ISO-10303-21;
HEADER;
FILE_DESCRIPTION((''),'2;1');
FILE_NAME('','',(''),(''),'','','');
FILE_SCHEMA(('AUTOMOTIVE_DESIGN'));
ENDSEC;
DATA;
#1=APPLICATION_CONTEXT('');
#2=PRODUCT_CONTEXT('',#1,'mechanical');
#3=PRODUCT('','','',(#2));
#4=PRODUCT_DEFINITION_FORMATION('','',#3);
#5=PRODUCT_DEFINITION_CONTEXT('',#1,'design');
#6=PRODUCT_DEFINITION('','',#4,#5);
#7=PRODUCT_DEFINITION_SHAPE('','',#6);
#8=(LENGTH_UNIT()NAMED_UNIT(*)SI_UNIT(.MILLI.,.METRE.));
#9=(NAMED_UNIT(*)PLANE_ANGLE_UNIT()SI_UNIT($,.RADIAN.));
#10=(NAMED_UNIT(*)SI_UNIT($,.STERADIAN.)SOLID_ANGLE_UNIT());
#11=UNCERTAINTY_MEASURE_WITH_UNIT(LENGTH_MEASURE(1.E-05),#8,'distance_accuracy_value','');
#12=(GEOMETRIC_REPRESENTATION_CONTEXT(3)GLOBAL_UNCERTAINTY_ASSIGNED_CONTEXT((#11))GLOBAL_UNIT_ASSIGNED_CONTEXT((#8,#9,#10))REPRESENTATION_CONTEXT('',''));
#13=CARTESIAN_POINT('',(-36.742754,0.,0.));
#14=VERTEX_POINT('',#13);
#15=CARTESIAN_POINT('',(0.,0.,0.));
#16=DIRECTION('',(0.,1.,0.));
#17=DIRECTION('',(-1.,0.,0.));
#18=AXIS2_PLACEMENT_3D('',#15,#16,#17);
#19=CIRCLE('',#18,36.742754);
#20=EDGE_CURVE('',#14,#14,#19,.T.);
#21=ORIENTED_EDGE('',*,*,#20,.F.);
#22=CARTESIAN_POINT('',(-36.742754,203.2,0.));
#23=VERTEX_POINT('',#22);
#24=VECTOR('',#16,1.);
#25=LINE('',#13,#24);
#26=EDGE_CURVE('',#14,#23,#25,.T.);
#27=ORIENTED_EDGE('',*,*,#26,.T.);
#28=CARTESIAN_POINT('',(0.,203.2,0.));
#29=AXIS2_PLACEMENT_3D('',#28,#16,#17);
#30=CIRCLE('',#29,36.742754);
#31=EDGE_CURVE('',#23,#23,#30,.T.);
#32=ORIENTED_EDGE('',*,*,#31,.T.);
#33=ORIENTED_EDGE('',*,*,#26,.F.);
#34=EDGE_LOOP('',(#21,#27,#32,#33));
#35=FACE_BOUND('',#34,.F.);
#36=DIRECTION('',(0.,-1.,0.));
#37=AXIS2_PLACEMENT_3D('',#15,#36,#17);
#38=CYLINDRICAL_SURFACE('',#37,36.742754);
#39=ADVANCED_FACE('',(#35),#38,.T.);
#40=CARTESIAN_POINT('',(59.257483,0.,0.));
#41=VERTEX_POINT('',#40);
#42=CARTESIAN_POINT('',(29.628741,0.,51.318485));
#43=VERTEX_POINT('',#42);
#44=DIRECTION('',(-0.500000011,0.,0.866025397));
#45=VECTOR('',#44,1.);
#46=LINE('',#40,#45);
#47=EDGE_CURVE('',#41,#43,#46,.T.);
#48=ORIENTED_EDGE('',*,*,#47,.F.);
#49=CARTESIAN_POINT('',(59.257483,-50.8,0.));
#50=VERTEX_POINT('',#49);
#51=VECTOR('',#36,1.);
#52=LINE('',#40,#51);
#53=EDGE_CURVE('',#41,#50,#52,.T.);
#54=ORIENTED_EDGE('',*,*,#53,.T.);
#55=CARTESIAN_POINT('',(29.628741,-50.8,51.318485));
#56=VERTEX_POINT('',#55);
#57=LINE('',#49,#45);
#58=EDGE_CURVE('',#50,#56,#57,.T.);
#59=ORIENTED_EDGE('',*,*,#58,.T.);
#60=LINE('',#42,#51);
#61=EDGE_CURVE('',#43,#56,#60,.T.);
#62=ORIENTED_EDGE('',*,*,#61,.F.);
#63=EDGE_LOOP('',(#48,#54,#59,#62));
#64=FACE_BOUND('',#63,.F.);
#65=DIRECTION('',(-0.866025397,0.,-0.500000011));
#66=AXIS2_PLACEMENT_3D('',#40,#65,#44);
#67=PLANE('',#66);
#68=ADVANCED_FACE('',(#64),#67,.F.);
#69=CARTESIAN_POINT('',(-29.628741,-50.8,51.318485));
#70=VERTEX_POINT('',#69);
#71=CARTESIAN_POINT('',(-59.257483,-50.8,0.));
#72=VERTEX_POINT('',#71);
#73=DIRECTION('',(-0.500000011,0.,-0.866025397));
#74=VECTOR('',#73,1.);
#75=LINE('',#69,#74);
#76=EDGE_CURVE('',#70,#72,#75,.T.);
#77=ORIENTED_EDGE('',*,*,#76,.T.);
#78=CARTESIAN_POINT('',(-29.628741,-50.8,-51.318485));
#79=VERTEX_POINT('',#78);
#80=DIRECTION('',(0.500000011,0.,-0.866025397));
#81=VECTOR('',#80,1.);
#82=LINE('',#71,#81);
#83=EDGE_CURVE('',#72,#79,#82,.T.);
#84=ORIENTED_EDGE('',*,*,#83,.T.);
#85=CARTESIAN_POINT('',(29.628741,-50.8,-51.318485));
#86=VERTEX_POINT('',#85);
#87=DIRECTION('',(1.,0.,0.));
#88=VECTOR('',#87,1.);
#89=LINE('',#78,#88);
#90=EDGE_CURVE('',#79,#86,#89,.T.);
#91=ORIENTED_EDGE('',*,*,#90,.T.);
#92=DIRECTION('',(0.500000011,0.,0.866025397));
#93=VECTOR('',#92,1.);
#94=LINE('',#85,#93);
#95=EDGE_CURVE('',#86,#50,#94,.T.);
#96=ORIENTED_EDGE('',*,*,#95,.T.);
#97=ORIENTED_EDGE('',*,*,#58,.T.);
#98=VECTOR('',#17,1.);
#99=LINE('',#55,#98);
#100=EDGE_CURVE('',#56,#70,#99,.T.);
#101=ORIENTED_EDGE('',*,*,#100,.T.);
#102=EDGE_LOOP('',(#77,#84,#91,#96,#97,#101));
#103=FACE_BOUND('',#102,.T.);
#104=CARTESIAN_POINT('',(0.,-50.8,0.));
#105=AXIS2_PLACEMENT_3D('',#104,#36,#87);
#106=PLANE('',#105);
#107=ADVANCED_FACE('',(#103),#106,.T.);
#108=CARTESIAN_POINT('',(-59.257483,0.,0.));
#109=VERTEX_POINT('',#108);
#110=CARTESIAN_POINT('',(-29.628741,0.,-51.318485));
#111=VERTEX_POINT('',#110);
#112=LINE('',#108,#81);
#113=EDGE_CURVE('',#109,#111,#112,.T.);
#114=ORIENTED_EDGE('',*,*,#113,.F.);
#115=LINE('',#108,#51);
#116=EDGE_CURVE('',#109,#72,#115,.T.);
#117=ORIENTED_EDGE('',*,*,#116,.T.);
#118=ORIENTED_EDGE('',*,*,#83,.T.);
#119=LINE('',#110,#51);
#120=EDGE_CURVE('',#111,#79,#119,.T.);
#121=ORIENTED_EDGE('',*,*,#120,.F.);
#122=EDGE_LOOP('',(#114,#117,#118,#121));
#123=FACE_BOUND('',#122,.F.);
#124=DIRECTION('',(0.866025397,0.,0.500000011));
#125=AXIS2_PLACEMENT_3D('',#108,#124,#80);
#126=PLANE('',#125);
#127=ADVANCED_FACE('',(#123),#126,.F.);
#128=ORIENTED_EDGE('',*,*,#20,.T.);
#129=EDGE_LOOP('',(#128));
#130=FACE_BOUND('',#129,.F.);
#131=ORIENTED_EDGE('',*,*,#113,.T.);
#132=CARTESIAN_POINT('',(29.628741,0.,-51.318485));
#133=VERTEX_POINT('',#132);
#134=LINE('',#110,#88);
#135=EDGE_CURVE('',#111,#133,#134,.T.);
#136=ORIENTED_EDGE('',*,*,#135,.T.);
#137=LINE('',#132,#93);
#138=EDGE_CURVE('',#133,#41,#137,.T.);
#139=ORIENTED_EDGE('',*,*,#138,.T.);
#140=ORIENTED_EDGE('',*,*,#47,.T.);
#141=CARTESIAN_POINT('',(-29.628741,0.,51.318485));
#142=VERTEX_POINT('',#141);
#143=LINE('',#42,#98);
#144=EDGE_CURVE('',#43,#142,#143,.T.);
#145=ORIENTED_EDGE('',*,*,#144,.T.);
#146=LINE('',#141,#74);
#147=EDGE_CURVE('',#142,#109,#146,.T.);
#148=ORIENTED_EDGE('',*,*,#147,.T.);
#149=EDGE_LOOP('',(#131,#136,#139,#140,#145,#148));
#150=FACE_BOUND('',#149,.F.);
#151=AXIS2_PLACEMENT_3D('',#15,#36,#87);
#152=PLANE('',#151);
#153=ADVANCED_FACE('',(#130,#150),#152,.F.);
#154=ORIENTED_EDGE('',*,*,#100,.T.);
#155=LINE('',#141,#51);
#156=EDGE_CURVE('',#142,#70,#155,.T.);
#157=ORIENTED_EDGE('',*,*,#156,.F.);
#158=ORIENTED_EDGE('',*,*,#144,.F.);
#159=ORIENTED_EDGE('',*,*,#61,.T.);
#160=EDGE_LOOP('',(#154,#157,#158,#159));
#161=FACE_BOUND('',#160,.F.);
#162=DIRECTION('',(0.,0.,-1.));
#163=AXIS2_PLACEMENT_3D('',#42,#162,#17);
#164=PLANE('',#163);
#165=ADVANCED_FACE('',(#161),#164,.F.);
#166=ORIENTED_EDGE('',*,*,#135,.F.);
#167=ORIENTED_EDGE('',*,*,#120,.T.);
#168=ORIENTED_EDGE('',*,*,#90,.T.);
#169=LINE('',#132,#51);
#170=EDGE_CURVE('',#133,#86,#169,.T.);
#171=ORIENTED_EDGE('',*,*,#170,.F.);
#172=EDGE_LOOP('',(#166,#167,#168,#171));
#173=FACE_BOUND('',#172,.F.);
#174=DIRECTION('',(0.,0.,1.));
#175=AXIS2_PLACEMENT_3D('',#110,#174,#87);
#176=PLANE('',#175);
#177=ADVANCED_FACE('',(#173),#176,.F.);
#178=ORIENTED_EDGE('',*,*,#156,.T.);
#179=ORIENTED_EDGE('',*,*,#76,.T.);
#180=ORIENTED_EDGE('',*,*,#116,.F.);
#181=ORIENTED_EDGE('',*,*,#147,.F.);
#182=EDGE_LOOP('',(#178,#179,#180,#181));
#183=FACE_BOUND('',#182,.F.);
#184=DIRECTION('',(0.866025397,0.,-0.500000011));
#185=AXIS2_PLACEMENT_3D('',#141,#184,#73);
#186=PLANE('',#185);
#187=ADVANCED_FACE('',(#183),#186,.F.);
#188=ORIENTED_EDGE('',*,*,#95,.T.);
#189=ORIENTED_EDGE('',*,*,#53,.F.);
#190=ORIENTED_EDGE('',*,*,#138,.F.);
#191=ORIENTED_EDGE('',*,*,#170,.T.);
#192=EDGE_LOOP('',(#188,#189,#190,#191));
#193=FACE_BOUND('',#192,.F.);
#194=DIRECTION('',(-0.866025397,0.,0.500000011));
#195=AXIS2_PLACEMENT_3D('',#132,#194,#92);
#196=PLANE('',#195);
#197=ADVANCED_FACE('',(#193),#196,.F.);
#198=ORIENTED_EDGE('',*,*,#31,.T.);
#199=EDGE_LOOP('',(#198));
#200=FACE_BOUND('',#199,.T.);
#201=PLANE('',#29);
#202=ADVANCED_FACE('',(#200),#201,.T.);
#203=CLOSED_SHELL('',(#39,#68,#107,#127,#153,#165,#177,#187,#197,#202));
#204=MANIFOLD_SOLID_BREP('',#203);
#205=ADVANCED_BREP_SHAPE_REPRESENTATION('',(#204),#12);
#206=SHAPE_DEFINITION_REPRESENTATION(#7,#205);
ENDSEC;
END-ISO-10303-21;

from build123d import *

# Parameters (mm, degrees)
F1_DEPTH = 50.8
F2_R     = 36.742754
F3_DEPTH = 203.2


with BuildPart() as f1:
    # F0 (on Front) → F1 (new body)
    with BuildSketch(Plane.XZ):
        Polygon((-29.628741, -51.318485), (29.628741, -51.318485), (59.257483, 0), (29.628741, 51.318485), (-29.628741, 51.318485), (-59.257483, 0), align=None)
    extrude(amount=F1_DEPTH)

    # F2 (on face) → F3 (join)
    with BuildSketch(Plane(origin=(0, 0, 0), x_dir=(-1, 0, 0), z_dir=(0, 1, 0))):
        Circle(F2_R)
    extrude(amount=F3_DEPTH)


solid = f1.part
